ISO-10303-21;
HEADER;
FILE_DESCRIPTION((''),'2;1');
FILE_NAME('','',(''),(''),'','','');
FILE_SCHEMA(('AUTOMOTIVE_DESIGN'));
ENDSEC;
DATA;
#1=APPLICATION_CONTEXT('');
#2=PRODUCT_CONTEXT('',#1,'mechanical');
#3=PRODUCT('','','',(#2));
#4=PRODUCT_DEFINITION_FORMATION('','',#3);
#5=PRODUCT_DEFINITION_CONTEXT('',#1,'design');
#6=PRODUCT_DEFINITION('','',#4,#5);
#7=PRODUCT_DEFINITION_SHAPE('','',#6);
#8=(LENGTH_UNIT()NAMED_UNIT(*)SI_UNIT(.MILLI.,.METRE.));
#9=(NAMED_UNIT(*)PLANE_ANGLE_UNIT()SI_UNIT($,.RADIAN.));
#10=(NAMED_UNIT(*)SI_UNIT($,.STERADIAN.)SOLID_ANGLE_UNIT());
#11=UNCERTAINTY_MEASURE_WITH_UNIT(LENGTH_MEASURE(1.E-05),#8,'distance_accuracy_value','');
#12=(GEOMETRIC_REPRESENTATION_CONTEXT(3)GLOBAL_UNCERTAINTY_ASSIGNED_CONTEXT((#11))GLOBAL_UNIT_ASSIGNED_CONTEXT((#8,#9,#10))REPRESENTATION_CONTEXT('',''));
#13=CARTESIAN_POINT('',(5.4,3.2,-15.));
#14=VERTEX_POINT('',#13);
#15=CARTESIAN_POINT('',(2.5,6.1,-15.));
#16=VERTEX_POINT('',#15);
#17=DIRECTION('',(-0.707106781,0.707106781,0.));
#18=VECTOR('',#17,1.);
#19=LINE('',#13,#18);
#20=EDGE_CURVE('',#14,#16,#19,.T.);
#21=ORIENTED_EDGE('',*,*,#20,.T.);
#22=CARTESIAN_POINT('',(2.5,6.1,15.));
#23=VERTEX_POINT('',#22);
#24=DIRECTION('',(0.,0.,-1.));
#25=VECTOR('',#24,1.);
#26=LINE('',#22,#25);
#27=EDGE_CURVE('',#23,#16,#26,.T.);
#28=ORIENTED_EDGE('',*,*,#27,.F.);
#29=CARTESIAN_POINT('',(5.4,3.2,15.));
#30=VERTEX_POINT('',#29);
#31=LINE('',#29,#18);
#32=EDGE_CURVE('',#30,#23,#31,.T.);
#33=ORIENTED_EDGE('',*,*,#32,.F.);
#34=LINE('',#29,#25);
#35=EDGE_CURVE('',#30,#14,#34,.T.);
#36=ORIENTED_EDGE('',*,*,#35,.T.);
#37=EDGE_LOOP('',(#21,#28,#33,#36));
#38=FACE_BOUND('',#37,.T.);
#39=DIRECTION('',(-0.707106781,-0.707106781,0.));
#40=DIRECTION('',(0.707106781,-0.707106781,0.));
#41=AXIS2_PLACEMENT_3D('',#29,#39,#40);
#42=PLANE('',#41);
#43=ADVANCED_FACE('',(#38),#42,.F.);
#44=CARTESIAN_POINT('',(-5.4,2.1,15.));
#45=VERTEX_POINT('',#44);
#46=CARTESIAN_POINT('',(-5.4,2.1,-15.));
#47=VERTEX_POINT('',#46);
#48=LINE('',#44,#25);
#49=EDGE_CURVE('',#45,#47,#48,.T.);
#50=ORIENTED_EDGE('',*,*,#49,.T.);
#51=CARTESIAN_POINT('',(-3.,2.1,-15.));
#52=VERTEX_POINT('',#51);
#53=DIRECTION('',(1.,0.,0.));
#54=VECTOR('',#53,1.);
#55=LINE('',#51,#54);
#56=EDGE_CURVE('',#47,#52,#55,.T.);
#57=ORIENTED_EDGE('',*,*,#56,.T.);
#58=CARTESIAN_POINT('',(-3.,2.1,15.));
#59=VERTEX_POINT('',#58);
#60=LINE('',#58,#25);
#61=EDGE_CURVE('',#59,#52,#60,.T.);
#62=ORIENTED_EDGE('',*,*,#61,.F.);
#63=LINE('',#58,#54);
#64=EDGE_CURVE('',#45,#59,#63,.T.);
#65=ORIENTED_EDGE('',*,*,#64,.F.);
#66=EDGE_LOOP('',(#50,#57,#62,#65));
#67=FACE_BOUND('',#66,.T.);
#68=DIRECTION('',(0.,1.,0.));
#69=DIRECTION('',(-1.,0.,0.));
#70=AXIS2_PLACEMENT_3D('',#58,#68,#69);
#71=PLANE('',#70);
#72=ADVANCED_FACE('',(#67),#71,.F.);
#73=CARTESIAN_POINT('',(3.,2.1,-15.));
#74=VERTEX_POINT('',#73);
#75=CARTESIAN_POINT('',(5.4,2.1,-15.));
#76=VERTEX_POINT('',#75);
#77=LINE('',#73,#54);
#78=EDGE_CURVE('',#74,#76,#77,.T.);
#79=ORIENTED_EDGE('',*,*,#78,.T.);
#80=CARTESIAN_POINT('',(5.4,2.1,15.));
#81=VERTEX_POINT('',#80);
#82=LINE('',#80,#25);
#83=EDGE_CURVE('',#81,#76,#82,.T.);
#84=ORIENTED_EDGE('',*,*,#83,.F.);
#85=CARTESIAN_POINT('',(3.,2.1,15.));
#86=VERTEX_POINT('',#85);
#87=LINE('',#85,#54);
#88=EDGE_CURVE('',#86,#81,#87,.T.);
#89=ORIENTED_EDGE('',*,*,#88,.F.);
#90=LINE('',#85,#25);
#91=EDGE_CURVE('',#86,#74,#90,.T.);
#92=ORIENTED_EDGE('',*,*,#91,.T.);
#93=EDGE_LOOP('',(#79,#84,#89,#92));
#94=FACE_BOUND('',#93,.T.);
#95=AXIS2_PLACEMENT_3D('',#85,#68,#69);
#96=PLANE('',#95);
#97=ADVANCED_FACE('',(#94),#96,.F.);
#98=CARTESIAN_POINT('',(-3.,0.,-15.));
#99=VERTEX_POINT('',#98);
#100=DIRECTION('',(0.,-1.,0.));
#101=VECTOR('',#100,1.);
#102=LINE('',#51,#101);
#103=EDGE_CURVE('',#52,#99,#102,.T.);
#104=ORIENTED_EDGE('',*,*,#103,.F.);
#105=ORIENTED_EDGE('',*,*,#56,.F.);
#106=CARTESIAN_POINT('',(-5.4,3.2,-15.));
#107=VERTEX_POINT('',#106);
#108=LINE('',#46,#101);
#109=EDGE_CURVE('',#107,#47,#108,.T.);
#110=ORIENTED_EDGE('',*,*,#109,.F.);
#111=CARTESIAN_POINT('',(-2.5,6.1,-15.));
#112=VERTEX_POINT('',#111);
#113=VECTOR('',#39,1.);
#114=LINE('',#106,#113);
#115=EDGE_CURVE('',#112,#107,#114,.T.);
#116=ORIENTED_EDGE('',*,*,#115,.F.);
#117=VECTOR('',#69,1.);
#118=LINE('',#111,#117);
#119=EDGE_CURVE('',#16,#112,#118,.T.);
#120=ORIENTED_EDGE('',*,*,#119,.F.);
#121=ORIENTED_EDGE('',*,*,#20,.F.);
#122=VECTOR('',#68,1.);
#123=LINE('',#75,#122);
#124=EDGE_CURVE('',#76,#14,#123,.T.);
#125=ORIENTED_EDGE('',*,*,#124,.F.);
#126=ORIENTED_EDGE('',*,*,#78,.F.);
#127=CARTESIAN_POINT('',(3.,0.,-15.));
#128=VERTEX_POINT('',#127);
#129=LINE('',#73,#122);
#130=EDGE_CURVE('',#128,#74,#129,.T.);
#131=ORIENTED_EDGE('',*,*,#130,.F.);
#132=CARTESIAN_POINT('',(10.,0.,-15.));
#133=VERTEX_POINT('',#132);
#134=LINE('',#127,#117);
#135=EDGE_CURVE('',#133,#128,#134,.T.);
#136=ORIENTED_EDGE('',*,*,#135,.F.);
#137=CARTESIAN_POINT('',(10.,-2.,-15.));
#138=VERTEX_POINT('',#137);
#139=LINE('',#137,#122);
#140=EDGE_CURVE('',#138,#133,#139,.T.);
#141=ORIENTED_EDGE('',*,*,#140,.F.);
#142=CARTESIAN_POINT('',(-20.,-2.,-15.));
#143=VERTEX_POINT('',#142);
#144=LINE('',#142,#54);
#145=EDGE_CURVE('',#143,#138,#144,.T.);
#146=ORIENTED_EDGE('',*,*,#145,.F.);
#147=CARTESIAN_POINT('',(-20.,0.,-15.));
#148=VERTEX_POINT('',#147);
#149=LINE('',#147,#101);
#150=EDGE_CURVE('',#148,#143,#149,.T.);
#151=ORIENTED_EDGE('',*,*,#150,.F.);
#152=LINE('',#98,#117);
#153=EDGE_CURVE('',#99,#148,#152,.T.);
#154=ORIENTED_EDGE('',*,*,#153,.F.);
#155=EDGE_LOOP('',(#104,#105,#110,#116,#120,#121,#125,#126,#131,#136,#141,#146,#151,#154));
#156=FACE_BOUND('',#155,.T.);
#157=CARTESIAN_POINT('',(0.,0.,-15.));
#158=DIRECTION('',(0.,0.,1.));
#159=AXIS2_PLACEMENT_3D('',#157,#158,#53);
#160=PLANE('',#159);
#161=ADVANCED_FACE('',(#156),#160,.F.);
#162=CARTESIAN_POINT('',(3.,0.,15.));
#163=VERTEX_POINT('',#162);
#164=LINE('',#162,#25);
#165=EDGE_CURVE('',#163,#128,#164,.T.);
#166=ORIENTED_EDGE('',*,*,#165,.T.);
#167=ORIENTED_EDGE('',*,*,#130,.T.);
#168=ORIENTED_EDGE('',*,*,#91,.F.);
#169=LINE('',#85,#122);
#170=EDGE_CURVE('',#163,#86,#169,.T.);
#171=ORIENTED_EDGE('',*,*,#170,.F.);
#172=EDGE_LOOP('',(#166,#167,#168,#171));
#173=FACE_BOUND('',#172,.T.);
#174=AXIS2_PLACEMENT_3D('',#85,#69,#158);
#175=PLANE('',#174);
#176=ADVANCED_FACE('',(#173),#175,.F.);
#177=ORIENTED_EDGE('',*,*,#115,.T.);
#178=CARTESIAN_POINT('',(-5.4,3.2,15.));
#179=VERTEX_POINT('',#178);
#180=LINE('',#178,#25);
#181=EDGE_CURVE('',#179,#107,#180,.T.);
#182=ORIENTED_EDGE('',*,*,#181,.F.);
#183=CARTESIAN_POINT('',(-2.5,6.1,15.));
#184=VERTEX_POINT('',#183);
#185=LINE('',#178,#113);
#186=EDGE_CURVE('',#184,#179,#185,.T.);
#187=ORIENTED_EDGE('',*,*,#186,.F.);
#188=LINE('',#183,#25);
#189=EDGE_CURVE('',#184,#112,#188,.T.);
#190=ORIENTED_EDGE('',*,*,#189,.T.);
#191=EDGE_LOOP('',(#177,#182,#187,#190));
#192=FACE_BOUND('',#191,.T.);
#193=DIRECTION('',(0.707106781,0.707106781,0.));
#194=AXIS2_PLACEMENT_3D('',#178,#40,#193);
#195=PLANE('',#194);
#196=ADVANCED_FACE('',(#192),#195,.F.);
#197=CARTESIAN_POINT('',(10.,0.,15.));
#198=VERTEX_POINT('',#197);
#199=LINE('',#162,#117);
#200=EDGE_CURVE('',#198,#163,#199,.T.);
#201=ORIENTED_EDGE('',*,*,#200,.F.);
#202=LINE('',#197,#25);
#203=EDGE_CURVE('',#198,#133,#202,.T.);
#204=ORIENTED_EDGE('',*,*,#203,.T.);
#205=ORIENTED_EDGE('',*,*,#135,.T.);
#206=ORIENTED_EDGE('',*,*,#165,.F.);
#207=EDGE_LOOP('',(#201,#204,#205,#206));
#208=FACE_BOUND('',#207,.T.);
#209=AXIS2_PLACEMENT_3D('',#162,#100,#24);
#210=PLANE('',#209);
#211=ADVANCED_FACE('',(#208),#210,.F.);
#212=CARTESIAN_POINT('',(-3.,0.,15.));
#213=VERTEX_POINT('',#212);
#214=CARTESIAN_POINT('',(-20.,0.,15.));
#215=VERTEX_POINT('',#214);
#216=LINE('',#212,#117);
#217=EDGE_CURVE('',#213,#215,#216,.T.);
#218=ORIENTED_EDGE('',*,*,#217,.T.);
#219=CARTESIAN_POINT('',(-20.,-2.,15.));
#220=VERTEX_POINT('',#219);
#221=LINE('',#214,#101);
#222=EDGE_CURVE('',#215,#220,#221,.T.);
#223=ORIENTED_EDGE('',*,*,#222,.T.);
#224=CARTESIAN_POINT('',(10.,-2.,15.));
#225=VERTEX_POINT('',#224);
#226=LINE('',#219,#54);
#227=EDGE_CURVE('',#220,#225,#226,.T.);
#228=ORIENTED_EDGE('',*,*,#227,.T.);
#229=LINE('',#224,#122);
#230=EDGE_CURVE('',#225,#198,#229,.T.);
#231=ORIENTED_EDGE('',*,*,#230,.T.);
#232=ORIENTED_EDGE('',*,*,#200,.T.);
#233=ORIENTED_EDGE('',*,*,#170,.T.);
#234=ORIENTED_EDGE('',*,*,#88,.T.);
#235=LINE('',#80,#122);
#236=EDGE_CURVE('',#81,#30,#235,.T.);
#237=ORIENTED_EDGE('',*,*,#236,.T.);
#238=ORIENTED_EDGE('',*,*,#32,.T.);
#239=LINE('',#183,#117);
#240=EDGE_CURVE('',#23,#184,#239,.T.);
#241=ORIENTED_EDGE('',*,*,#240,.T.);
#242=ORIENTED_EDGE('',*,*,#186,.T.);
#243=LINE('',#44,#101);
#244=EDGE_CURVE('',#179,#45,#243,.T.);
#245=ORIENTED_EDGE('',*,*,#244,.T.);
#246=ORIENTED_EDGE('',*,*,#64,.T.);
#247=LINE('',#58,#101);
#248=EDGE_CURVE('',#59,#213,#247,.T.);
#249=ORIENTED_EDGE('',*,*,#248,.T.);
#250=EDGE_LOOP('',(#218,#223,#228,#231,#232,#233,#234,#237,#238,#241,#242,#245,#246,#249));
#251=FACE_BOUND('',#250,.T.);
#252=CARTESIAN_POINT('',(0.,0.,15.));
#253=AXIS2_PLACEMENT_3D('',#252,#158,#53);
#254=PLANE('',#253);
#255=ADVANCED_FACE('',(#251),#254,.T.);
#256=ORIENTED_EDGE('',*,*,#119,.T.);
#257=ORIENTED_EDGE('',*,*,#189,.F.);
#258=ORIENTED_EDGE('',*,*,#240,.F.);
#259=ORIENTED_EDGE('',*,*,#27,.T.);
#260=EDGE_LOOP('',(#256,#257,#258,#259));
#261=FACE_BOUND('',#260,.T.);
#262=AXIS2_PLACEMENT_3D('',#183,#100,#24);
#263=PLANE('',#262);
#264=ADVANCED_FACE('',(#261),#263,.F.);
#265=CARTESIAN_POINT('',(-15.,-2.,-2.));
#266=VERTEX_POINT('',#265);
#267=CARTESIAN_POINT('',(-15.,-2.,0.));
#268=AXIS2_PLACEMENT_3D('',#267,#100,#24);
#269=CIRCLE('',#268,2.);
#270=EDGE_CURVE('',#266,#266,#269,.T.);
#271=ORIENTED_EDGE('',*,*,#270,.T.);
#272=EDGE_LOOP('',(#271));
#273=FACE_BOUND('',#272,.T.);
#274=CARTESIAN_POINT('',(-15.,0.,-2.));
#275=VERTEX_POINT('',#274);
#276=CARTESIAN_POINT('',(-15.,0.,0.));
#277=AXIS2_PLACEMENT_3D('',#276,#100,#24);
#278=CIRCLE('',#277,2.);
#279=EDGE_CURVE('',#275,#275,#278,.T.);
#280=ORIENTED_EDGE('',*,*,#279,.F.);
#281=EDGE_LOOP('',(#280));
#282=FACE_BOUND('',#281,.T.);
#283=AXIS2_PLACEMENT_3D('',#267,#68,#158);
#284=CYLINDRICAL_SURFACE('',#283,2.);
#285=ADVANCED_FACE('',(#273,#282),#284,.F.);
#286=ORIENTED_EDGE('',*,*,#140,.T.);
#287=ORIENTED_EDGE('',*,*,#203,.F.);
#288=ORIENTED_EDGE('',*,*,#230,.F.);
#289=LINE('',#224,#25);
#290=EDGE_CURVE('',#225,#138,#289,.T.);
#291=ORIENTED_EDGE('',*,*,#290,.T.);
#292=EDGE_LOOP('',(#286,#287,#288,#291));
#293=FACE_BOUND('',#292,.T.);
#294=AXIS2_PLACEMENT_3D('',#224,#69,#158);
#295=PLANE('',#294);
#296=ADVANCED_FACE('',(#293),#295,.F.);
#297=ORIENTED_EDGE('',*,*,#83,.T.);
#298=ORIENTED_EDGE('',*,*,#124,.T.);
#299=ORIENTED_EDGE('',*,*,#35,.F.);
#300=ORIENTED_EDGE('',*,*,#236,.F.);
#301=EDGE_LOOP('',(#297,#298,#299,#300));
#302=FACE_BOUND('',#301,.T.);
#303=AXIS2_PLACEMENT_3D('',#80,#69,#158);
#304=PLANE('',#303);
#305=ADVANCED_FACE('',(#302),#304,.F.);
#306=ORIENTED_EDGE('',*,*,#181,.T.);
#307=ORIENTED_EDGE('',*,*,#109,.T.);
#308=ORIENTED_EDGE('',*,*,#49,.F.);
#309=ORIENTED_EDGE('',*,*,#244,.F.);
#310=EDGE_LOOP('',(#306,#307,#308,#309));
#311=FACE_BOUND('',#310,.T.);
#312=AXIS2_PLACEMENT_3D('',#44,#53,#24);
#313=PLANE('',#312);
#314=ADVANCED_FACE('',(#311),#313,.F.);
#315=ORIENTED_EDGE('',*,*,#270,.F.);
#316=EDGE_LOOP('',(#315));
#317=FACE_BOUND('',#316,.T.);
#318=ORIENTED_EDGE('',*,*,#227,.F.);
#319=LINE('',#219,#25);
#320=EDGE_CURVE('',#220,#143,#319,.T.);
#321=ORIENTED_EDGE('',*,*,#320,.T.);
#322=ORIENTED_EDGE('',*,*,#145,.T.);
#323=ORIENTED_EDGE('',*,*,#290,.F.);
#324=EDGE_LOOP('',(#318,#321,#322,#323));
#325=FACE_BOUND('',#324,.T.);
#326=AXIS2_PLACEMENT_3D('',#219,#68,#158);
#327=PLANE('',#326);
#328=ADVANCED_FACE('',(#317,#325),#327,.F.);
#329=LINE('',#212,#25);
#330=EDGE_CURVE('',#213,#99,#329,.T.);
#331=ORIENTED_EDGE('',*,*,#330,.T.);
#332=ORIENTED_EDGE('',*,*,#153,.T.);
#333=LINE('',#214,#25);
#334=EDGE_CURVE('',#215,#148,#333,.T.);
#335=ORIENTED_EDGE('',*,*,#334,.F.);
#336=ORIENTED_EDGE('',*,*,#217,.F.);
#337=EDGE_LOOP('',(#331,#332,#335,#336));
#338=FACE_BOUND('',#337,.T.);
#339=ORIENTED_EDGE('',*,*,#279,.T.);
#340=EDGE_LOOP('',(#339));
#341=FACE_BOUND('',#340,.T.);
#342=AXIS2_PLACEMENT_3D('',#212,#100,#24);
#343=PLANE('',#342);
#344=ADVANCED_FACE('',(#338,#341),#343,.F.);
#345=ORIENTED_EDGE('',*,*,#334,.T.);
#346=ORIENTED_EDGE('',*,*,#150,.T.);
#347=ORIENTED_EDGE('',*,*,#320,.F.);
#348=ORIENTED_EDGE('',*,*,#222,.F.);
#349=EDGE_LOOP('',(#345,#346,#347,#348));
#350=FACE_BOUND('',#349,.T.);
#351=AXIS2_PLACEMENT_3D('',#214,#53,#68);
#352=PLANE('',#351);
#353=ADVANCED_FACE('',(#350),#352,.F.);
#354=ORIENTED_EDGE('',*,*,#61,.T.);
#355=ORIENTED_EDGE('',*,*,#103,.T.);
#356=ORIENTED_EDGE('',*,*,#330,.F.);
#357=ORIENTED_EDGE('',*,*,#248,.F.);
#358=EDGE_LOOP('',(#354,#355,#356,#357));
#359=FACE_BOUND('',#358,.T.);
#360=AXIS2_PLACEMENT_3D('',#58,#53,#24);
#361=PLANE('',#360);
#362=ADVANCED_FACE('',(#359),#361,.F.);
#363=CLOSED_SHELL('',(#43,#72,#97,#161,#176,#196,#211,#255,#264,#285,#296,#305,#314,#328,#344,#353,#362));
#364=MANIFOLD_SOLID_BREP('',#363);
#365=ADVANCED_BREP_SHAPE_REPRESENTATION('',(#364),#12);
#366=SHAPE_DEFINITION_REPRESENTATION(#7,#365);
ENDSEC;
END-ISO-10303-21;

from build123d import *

# Parameters (mm, degrees)
BOSS_EXTRUDE2_DEPTH = 15
SKETCH4_R           = 2
CUT_EXTRUDE1_DEPTH  = 32.483487736


with BuildPart() as part:
    # Sketch2 → Boss-Extrude2 (new, symmetric)
    with BuildSketch(Plane.XY):
        Polygon((5.4, 3.2), (2.5, 6.1), (-2.5, 6.1), (-5.4, 3.2), (-5.4, 2.1), (-3, 2.1), (-3, 0), (-20, 0), (-20, -2), (10, -2), (10, 0), (3, 0), (3, 2.1), (5.4, 2.1), align=None)
    extrude(amount=BOSS_EXTRUDE2_DEPTH, both=True)

    # Sketch4 → Cut-Extrude1 (cut, through all)
    with BuildSketch(Plane(origin=(7, 0, 0), x_dir=(0, 0, 1), z_dir=(0, -1, 0))):
        with Locations(Location((0, 22, 0), (0, 0, 180))):
            Circle(SKETCH4_R)
    extrude(amount=CUT_EXTRUDE1_DEPTH, mode=Mode.SUBTRACT)


solid = part.part
